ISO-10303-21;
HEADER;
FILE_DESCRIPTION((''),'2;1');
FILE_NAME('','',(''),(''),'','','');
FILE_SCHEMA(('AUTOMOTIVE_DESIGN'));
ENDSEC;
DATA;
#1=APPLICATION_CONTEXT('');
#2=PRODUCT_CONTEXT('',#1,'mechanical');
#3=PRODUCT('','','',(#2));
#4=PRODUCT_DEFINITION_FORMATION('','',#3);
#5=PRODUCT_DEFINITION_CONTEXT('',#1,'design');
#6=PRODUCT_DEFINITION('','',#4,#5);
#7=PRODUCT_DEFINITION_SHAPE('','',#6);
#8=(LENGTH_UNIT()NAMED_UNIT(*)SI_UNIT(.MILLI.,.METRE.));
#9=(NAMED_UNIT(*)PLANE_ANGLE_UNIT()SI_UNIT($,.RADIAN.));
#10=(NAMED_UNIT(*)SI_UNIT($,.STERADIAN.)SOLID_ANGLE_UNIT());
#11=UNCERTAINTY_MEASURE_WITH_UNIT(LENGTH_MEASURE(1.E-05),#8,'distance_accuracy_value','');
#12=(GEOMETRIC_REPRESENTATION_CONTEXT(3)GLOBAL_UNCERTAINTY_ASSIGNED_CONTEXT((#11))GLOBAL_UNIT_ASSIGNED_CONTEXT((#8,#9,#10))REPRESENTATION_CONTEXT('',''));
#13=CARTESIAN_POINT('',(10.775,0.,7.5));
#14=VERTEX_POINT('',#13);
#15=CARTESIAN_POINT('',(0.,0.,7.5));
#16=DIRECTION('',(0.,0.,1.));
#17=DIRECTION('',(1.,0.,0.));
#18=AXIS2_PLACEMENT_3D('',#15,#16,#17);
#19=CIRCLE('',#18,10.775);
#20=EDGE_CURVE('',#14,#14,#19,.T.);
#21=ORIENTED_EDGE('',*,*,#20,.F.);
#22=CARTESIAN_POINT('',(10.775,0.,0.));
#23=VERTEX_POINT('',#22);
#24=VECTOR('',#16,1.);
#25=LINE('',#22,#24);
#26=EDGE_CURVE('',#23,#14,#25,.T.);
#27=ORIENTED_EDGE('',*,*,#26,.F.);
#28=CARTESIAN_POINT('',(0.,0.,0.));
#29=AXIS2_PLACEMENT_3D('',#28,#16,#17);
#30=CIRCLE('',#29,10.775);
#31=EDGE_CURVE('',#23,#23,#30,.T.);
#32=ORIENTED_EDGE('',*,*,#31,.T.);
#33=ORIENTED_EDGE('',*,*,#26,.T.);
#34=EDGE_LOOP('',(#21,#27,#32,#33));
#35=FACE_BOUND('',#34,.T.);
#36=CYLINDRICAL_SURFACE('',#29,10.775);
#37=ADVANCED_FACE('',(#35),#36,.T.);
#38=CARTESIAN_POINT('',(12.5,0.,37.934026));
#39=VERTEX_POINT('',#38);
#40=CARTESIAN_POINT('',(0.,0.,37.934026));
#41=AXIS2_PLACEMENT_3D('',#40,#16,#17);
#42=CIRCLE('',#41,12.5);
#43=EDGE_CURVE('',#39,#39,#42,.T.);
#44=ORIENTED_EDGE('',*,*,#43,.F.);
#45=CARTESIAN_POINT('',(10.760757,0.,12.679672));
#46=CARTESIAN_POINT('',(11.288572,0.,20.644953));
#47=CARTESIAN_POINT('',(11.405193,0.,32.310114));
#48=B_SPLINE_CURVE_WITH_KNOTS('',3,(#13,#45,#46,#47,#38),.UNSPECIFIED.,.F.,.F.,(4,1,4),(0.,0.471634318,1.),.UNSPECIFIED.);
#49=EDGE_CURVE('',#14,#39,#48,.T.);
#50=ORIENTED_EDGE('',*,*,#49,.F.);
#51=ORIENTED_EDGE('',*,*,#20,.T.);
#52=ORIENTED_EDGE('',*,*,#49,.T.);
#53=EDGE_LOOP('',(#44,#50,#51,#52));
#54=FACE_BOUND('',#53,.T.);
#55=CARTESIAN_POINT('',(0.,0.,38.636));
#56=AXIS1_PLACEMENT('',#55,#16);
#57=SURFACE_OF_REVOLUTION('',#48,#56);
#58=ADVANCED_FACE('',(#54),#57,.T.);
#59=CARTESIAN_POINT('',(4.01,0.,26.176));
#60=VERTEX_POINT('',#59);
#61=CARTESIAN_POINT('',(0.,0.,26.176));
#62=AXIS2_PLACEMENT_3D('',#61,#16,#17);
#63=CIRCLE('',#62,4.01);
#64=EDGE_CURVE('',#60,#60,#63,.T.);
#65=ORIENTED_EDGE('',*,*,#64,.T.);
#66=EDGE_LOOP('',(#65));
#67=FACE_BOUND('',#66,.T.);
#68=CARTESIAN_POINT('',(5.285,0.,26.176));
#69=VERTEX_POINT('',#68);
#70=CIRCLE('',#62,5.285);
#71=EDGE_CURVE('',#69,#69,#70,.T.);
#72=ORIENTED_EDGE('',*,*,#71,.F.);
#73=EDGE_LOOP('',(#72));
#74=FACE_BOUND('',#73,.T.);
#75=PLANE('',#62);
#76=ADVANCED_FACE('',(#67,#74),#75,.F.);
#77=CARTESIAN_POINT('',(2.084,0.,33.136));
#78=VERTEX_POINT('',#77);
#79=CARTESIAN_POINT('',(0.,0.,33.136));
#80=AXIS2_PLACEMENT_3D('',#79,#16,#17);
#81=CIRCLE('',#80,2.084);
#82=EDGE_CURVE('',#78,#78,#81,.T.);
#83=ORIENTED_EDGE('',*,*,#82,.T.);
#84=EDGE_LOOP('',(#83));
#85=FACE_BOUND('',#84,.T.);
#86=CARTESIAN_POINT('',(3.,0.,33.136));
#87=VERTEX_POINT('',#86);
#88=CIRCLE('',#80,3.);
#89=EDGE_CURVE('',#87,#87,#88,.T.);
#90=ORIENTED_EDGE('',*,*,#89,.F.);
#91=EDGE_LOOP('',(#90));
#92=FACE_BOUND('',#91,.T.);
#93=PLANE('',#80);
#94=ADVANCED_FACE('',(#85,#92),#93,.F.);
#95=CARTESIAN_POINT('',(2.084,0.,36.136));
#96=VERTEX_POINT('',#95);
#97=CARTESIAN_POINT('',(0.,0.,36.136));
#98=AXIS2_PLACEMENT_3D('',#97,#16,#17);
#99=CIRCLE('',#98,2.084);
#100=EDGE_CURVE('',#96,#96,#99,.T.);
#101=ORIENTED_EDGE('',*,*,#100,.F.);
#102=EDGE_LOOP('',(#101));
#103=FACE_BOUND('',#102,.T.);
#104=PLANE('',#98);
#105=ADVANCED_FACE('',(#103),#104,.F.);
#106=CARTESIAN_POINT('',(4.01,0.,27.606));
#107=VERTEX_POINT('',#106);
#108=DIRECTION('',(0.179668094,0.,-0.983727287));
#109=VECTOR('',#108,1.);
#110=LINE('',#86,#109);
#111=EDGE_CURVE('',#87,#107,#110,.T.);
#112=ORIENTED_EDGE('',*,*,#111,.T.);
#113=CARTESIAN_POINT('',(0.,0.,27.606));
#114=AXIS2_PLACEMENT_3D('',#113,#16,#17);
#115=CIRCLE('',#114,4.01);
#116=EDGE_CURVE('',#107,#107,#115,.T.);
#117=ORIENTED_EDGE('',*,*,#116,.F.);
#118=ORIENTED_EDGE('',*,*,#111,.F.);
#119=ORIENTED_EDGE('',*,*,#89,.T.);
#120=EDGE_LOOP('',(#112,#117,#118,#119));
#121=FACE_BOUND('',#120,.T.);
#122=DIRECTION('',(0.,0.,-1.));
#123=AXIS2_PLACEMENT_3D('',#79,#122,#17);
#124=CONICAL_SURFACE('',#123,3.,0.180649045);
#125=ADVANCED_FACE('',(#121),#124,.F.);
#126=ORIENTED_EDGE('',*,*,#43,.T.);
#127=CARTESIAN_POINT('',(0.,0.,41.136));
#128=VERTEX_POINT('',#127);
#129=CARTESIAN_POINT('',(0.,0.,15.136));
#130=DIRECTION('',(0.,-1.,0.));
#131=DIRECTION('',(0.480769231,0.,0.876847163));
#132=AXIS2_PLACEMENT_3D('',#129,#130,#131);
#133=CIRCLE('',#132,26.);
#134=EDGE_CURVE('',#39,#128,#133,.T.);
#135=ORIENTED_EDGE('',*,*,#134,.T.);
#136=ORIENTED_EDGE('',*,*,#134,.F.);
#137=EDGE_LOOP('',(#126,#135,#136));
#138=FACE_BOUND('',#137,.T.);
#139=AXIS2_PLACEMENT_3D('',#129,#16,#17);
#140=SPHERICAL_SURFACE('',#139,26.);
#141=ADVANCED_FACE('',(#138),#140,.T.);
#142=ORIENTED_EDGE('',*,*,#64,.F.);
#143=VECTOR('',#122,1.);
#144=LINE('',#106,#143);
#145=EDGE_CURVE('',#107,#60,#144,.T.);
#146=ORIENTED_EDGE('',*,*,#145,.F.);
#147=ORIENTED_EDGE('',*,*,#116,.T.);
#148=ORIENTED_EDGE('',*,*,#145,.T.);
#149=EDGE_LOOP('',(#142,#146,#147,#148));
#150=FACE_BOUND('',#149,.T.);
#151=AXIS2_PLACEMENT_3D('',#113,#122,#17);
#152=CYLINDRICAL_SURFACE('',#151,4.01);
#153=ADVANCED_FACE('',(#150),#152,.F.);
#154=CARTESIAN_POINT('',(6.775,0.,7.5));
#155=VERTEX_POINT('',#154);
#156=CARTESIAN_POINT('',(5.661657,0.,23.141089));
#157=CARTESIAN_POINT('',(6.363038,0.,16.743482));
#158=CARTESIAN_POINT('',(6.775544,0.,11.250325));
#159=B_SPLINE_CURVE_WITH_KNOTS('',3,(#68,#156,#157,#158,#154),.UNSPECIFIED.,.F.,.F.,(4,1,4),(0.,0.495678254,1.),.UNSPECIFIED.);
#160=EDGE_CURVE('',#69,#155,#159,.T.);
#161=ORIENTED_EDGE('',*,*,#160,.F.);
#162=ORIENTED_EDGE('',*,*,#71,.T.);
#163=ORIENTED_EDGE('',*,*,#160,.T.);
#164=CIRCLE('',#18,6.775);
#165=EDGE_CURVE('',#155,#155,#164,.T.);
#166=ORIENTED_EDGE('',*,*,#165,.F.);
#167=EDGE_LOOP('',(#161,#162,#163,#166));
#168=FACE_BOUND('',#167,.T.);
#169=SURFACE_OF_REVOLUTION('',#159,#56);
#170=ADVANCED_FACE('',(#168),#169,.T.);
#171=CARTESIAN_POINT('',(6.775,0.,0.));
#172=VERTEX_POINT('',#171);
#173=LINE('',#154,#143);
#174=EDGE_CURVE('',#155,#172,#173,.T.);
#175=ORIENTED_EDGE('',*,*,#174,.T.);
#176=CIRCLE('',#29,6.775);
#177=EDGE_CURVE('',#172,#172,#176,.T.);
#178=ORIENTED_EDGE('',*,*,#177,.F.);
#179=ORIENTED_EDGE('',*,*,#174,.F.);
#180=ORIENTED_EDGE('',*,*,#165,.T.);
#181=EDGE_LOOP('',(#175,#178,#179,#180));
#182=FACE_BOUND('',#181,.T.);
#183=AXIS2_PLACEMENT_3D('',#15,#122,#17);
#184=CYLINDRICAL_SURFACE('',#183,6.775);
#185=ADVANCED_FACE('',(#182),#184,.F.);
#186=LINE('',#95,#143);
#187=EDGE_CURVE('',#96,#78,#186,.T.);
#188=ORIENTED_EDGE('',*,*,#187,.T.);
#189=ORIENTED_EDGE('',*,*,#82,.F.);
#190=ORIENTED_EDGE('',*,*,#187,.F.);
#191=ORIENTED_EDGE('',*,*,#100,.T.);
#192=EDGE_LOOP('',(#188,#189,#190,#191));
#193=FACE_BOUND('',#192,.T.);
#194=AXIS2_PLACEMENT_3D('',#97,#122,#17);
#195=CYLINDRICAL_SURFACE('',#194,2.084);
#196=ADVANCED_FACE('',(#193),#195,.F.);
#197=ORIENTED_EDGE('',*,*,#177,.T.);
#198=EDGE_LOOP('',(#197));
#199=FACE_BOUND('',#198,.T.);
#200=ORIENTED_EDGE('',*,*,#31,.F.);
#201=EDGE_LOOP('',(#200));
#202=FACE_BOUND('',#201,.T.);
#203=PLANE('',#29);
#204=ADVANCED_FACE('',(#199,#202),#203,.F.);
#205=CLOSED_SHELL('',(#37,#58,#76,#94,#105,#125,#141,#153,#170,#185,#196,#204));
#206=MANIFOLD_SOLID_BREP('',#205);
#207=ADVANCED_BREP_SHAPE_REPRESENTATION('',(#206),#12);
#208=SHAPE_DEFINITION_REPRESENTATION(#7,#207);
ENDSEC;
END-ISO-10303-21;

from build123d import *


with BuildPart() as f1:
    # F0 (on Front) → F1 (revolve)
    with BuildSketch(Plane.XZ):
        with BuildLine():
            Line((6.775, 7.5), (6.775, 0))
            Line((6.775, 0), (10.775, 0))
            Line((10.775, 0), (10.775, 7.5))
            add(Edge.make_bspline(
                [(10.775, 7.5), (10.7607568159, 12.6796716145), (11.2885719403, 20.6449525893), (11.405192979, 32.3101136547), (12.5, 37.9340262304)],
                knots=[0, 0, 0, 0, 0.4716343176, 1, 1, 1, 1], degree=3))
            ThreePointArc((12.5, 37.9340262304), (6.451795022, 40.3227890172), (0, 41.136))
            Line((0, 41.136), (0, 36.136))
            Line((0, 36.136), (2.084, 36.136))
            Line((2.084, 36.136), (2.084, 33.136))
            Line((2.084, 33.136), (3, 33.136))
            Line((3, 33.136), (4.01, 27.606))
            Line((4.01, 27.606), (4.01, 26.176))
            Line((4.01, 26.176), (5.285, 26.176))
            add(Edge.make_bspline(
                [(5.285, 26.176), (5.6616569155, 23.1410889995), (6.363038423, 16.7434815213), (6.7755435593, 11.2503249571), (6.775, 7.5)],
                knots=[0, 0, 0, 0, 0.4956782544, 1, 1, 1, 1], degree=3))
        make_face()
    revolve(axis=Axis((0, 0, 38.636), (0, 0, 1)))


solid = f1.part
